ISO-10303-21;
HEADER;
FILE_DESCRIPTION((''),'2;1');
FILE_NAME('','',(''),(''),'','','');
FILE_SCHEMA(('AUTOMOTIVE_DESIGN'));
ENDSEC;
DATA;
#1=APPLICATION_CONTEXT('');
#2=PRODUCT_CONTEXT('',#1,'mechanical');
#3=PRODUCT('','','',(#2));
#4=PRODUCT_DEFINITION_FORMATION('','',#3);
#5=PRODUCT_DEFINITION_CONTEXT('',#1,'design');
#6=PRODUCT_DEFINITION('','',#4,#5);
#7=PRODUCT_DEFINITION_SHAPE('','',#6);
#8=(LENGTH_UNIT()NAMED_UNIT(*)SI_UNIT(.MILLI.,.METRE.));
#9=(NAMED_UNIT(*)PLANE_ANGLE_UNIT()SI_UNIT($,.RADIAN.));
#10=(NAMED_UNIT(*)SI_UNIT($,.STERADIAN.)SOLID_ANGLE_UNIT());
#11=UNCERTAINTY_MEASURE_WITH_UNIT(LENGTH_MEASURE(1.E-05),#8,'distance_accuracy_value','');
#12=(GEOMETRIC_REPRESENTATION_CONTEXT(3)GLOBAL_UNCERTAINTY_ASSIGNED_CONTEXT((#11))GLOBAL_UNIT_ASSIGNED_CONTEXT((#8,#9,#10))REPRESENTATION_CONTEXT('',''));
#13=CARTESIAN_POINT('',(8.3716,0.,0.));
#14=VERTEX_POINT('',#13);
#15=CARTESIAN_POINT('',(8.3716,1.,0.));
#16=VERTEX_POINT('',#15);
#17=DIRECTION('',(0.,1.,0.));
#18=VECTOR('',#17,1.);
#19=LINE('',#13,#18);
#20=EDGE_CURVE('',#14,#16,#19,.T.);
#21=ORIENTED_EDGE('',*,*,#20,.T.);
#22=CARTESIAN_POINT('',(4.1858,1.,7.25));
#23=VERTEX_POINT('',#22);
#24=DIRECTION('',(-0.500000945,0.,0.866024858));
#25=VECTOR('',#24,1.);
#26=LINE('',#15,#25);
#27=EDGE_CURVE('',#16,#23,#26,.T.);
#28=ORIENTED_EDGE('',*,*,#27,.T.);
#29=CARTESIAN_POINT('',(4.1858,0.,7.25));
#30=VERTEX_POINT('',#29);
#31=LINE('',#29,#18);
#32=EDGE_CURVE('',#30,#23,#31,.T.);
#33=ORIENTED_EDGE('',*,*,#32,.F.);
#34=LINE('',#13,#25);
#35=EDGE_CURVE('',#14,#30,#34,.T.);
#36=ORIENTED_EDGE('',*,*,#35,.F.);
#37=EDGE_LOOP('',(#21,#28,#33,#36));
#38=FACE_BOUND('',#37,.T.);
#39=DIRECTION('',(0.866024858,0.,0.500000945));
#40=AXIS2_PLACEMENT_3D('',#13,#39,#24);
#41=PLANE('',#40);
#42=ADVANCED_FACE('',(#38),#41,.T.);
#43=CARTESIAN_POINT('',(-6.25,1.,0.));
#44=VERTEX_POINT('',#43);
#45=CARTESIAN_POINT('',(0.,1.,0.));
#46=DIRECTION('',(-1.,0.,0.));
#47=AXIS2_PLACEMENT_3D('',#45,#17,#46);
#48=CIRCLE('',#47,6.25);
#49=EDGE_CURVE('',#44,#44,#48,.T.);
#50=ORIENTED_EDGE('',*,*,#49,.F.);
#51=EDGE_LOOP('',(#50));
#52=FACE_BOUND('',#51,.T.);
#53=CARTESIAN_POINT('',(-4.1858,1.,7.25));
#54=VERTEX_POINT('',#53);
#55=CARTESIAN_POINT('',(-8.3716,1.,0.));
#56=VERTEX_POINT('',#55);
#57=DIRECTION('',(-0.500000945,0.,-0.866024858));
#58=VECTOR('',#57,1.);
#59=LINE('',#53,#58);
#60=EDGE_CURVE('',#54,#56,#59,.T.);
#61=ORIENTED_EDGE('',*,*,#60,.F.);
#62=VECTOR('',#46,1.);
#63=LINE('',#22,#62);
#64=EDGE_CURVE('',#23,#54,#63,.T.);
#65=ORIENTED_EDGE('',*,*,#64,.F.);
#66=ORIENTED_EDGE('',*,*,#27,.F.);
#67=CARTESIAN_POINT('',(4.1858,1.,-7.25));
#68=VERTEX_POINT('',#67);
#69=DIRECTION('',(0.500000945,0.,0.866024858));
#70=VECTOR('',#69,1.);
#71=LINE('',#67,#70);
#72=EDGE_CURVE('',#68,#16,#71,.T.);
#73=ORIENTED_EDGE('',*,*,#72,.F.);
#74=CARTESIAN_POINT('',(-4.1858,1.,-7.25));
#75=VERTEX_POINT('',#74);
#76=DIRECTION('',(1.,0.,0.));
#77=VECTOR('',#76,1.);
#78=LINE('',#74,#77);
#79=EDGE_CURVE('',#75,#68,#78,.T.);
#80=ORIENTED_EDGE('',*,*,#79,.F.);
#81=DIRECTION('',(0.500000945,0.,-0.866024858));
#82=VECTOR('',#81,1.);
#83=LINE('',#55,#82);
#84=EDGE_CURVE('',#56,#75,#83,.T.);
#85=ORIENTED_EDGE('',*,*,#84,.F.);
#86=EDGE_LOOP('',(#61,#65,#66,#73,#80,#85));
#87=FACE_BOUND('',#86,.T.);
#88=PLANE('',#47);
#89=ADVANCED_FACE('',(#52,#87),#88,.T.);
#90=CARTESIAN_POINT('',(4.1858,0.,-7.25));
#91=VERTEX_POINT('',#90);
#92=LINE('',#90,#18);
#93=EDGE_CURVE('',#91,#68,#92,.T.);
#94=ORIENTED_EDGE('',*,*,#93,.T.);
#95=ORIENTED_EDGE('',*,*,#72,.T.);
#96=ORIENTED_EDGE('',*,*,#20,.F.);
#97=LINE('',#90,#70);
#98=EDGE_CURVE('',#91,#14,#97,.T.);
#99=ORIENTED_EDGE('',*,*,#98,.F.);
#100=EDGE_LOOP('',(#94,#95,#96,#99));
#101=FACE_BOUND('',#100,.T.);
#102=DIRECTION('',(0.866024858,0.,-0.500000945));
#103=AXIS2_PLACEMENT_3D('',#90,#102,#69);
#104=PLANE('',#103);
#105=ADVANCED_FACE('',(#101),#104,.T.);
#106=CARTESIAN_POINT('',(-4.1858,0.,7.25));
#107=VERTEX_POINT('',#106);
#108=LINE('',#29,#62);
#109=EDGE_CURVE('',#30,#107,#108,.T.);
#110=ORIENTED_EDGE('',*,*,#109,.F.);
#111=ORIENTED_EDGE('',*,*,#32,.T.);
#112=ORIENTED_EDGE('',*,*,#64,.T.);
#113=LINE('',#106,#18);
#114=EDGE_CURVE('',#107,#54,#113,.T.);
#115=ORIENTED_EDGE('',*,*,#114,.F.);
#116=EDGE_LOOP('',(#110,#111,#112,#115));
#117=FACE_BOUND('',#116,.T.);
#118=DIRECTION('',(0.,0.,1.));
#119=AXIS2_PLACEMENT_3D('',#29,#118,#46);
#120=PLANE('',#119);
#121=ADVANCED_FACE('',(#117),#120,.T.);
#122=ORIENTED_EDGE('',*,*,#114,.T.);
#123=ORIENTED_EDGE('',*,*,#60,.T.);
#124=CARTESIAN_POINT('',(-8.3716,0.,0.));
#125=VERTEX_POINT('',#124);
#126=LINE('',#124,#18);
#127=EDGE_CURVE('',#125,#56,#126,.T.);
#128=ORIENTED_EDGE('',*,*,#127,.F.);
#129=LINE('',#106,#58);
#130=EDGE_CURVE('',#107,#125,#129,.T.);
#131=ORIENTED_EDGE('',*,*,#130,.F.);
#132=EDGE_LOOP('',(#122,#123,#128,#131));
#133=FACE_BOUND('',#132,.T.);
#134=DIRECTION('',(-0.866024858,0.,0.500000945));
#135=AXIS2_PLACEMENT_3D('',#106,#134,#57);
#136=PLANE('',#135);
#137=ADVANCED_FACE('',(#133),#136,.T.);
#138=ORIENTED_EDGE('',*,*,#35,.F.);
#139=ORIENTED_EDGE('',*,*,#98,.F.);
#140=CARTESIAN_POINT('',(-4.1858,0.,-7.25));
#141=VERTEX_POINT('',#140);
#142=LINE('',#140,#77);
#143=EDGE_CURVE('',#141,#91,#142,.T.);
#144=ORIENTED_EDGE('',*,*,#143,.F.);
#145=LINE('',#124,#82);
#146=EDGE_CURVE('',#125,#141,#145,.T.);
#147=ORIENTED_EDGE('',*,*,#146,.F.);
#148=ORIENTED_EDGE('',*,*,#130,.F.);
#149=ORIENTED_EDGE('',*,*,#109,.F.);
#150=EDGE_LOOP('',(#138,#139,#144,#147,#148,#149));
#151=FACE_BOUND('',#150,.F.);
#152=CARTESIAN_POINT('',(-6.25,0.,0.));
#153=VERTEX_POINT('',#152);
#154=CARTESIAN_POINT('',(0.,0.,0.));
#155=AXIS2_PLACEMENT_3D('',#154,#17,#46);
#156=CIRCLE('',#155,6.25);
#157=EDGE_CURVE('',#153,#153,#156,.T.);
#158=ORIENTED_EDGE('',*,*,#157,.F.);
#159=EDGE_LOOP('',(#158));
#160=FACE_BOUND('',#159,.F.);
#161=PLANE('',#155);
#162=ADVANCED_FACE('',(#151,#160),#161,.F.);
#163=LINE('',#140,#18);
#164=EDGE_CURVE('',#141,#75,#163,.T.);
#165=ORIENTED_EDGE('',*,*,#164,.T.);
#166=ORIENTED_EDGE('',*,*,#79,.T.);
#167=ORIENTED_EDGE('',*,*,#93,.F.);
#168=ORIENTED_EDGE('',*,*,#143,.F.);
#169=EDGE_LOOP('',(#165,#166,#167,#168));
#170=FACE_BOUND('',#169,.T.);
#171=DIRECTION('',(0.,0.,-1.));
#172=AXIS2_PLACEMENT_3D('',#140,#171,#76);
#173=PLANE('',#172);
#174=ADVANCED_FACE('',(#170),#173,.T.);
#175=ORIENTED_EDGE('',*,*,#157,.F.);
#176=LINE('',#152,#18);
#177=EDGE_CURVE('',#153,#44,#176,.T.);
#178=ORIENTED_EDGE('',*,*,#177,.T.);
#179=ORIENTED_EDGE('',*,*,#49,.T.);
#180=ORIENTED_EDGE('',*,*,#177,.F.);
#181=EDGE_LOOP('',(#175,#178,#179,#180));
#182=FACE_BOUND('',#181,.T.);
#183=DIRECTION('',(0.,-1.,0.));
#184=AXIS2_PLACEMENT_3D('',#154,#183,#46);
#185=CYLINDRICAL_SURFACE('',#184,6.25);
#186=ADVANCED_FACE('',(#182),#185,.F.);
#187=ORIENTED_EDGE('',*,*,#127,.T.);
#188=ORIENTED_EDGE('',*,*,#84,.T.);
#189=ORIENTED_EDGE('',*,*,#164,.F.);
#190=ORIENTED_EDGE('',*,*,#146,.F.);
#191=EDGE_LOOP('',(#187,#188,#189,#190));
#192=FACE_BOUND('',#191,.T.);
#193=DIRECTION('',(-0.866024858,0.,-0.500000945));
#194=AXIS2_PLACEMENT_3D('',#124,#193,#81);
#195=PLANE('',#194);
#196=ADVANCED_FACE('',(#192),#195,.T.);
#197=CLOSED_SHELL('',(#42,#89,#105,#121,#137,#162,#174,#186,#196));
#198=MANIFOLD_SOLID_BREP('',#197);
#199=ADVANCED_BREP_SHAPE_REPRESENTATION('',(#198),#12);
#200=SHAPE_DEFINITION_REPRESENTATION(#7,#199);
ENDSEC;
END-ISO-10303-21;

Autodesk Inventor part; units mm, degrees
ref_plane "YZ Plane" through (0, 0, 0) normal (1, 0, 0) x (0, 1, 0)
ref_plane "XZ Plane" through (0, 0, 0) normal (0, 1, 0) x (-1, 0, 0)
ref_plane "XY Plane" through (0, 0, 0) normal (0, 0, 1) x (1, 0, 0)
sketch "Sketch1" plane through (0, 0, 0) normal (0, 1, 0) x (-1, 0, 0)
  circle A0 centre (0, 0) radius 6.25
  line L0 (8.3716, 0) -> (4.1858, -7.25)
  line L1 (4.1858, -7.25) -> (-4.1858, -7.25)
  line L2 (-4.1858, -7.25) -> (-8.3716, 0)
  line L3 (-8.3716, 0) -> (-4.1858, 7.25)
  line L4 (-4.1858, 7.25) -> (4.1858, 7.25)
  line L5 (4.1858, 7.25) -> (8.3716, 0)
  dimension "d0" = 12.5
  dimension "d1" = 14.5
extrude "Extrusion1" add sketch "Sketch1" along normal blind 1
thread "Thread2" size "M14x2" class "6H" standard "ANSI Metric M Profile" full length
properties part number "Switch Nut" material "Aluminum 7075"
